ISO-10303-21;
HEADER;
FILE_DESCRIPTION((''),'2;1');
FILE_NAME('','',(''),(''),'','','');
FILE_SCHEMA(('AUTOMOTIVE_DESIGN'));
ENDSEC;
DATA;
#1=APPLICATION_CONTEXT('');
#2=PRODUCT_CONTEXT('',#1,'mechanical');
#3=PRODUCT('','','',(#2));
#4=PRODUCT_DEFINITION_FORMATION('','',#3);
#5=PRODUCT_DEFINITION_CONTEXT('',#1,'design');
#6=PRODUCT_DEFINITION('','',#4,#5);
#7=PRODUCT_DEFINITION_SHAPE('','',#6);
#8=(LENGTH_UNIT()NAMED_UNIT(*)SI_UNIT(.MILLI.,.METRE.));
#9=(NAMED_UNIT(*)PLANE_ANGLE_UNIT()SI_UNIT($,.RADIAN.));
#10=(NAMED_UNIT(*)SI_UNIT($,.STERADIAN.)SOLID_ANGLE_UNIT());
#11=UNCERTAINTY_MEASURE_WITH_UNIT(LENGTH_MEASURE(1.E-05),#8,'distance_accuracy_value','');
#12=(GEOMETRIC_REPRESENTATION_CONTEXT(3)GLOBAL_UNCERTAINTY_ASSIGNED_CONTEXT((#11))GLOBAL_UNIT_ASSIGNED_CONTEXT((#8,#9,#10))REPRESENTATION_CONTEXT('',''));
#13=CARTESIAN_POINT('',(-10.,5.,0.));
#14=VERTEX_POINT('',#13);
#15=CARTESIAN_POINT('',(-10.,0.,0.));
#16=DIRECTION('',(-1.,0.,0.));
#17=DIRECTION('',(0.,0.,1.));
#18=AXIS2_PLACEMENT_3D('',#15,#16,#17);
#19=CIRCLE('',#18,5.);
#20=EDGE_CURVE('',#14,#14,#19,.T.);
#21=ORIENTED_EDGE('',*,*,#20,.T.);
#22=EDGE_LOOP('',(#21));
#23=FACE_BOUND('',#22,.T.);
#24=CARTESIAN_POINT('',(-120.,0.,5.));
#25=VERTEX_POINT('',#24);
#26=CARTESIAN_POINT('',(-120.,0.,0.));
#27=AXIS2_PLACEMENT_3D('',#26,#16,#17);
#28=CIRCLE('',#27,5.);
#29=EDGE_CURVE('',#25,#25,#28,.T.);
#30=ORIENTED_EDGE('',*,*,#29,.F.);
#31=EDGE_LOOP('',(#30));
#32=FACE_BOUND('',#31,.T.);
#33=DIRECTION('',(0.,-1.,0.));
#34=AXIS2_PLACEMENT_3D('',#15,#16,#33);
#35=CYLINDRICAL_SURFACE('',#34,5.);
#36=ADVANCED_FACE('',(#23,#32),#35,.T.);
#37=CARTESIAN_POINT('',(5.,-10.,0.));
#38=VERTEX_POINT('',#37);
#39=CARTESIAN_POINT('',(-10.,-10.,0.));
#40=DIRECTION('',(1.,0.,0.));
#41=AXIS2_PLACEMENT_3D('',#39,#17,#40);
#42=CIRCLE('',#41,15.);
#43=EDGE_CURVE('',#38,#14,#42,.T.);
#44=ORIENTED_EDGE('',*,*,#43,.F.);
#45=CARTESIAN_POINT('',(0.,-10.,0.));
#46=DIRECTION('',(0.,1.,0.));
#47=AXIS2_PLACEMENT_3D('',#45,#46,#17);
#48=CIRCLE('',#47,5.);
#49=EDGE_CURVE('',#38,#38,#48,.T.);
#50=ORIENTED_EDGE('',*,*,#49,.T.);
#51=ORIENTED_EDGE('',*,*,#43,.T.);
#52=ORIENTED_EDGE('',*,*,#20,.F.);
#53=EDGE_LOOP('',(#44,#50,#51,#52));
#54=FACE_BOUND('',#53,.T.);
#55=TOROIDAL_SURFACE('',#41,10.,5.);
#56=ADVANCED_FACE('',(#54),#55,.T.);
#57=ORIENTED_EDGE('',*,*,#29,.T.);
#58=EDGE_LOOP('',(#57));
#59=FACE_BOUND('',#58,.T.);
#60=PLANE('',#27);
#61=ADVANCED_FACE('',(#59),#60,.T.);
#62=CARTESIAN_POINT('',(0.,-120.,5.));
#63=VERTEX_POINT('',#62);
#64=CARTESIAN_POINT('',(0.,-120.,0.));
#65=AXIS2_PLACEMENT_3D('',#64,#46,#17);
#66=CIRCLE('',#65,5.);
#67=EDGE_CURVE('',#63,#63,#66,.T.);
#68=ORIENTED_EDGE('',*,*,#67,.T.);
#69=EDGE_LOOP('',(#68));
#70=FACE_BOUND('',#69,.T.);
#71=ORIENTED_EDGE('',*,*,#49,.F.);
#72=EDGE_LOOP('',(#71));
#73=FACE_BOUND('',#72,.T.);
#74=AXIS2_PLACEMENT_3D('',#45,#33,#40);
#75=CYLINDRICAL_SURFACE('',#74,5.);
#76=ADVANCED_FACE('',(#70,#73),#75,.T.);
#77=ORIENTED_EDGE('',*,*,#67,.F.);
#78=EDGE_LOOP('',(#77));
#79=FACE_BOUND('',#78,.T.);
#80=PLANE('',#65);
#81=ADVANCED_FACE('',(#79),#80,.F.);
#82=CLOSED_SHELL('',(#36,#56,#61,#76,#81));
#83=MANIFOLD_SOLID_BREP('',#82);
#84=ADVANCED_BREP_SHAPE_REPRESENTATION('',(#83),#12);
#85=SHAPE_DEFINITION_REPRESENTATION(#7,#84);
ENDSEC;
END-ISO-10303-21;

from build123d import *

# Parameters (mm, degrees)
SKETCH2_R = 5


with BuildPart() as part:
    # Sweep1: sweep along a path in Sketch1
    with BuildLine(Plane.XY) as sweep1_path:
        Line((-120, 0), (-10, 0))
        ThreePointArc((-10, 0), (-2.928932188, -2.928932188), (0, -10))
        Line((0, -10), (0, -120))
    # Sketch2 → Sweep1 (sweep)
    with BuildSketch(Plane(origin=(0, -120, 0), x_dir=(1, 0, 0), z_dir=(0, 1, 0))):
        Circle(SKETCH2_R)
    sweep(path=sweep1_path.line)


solid = part.part
